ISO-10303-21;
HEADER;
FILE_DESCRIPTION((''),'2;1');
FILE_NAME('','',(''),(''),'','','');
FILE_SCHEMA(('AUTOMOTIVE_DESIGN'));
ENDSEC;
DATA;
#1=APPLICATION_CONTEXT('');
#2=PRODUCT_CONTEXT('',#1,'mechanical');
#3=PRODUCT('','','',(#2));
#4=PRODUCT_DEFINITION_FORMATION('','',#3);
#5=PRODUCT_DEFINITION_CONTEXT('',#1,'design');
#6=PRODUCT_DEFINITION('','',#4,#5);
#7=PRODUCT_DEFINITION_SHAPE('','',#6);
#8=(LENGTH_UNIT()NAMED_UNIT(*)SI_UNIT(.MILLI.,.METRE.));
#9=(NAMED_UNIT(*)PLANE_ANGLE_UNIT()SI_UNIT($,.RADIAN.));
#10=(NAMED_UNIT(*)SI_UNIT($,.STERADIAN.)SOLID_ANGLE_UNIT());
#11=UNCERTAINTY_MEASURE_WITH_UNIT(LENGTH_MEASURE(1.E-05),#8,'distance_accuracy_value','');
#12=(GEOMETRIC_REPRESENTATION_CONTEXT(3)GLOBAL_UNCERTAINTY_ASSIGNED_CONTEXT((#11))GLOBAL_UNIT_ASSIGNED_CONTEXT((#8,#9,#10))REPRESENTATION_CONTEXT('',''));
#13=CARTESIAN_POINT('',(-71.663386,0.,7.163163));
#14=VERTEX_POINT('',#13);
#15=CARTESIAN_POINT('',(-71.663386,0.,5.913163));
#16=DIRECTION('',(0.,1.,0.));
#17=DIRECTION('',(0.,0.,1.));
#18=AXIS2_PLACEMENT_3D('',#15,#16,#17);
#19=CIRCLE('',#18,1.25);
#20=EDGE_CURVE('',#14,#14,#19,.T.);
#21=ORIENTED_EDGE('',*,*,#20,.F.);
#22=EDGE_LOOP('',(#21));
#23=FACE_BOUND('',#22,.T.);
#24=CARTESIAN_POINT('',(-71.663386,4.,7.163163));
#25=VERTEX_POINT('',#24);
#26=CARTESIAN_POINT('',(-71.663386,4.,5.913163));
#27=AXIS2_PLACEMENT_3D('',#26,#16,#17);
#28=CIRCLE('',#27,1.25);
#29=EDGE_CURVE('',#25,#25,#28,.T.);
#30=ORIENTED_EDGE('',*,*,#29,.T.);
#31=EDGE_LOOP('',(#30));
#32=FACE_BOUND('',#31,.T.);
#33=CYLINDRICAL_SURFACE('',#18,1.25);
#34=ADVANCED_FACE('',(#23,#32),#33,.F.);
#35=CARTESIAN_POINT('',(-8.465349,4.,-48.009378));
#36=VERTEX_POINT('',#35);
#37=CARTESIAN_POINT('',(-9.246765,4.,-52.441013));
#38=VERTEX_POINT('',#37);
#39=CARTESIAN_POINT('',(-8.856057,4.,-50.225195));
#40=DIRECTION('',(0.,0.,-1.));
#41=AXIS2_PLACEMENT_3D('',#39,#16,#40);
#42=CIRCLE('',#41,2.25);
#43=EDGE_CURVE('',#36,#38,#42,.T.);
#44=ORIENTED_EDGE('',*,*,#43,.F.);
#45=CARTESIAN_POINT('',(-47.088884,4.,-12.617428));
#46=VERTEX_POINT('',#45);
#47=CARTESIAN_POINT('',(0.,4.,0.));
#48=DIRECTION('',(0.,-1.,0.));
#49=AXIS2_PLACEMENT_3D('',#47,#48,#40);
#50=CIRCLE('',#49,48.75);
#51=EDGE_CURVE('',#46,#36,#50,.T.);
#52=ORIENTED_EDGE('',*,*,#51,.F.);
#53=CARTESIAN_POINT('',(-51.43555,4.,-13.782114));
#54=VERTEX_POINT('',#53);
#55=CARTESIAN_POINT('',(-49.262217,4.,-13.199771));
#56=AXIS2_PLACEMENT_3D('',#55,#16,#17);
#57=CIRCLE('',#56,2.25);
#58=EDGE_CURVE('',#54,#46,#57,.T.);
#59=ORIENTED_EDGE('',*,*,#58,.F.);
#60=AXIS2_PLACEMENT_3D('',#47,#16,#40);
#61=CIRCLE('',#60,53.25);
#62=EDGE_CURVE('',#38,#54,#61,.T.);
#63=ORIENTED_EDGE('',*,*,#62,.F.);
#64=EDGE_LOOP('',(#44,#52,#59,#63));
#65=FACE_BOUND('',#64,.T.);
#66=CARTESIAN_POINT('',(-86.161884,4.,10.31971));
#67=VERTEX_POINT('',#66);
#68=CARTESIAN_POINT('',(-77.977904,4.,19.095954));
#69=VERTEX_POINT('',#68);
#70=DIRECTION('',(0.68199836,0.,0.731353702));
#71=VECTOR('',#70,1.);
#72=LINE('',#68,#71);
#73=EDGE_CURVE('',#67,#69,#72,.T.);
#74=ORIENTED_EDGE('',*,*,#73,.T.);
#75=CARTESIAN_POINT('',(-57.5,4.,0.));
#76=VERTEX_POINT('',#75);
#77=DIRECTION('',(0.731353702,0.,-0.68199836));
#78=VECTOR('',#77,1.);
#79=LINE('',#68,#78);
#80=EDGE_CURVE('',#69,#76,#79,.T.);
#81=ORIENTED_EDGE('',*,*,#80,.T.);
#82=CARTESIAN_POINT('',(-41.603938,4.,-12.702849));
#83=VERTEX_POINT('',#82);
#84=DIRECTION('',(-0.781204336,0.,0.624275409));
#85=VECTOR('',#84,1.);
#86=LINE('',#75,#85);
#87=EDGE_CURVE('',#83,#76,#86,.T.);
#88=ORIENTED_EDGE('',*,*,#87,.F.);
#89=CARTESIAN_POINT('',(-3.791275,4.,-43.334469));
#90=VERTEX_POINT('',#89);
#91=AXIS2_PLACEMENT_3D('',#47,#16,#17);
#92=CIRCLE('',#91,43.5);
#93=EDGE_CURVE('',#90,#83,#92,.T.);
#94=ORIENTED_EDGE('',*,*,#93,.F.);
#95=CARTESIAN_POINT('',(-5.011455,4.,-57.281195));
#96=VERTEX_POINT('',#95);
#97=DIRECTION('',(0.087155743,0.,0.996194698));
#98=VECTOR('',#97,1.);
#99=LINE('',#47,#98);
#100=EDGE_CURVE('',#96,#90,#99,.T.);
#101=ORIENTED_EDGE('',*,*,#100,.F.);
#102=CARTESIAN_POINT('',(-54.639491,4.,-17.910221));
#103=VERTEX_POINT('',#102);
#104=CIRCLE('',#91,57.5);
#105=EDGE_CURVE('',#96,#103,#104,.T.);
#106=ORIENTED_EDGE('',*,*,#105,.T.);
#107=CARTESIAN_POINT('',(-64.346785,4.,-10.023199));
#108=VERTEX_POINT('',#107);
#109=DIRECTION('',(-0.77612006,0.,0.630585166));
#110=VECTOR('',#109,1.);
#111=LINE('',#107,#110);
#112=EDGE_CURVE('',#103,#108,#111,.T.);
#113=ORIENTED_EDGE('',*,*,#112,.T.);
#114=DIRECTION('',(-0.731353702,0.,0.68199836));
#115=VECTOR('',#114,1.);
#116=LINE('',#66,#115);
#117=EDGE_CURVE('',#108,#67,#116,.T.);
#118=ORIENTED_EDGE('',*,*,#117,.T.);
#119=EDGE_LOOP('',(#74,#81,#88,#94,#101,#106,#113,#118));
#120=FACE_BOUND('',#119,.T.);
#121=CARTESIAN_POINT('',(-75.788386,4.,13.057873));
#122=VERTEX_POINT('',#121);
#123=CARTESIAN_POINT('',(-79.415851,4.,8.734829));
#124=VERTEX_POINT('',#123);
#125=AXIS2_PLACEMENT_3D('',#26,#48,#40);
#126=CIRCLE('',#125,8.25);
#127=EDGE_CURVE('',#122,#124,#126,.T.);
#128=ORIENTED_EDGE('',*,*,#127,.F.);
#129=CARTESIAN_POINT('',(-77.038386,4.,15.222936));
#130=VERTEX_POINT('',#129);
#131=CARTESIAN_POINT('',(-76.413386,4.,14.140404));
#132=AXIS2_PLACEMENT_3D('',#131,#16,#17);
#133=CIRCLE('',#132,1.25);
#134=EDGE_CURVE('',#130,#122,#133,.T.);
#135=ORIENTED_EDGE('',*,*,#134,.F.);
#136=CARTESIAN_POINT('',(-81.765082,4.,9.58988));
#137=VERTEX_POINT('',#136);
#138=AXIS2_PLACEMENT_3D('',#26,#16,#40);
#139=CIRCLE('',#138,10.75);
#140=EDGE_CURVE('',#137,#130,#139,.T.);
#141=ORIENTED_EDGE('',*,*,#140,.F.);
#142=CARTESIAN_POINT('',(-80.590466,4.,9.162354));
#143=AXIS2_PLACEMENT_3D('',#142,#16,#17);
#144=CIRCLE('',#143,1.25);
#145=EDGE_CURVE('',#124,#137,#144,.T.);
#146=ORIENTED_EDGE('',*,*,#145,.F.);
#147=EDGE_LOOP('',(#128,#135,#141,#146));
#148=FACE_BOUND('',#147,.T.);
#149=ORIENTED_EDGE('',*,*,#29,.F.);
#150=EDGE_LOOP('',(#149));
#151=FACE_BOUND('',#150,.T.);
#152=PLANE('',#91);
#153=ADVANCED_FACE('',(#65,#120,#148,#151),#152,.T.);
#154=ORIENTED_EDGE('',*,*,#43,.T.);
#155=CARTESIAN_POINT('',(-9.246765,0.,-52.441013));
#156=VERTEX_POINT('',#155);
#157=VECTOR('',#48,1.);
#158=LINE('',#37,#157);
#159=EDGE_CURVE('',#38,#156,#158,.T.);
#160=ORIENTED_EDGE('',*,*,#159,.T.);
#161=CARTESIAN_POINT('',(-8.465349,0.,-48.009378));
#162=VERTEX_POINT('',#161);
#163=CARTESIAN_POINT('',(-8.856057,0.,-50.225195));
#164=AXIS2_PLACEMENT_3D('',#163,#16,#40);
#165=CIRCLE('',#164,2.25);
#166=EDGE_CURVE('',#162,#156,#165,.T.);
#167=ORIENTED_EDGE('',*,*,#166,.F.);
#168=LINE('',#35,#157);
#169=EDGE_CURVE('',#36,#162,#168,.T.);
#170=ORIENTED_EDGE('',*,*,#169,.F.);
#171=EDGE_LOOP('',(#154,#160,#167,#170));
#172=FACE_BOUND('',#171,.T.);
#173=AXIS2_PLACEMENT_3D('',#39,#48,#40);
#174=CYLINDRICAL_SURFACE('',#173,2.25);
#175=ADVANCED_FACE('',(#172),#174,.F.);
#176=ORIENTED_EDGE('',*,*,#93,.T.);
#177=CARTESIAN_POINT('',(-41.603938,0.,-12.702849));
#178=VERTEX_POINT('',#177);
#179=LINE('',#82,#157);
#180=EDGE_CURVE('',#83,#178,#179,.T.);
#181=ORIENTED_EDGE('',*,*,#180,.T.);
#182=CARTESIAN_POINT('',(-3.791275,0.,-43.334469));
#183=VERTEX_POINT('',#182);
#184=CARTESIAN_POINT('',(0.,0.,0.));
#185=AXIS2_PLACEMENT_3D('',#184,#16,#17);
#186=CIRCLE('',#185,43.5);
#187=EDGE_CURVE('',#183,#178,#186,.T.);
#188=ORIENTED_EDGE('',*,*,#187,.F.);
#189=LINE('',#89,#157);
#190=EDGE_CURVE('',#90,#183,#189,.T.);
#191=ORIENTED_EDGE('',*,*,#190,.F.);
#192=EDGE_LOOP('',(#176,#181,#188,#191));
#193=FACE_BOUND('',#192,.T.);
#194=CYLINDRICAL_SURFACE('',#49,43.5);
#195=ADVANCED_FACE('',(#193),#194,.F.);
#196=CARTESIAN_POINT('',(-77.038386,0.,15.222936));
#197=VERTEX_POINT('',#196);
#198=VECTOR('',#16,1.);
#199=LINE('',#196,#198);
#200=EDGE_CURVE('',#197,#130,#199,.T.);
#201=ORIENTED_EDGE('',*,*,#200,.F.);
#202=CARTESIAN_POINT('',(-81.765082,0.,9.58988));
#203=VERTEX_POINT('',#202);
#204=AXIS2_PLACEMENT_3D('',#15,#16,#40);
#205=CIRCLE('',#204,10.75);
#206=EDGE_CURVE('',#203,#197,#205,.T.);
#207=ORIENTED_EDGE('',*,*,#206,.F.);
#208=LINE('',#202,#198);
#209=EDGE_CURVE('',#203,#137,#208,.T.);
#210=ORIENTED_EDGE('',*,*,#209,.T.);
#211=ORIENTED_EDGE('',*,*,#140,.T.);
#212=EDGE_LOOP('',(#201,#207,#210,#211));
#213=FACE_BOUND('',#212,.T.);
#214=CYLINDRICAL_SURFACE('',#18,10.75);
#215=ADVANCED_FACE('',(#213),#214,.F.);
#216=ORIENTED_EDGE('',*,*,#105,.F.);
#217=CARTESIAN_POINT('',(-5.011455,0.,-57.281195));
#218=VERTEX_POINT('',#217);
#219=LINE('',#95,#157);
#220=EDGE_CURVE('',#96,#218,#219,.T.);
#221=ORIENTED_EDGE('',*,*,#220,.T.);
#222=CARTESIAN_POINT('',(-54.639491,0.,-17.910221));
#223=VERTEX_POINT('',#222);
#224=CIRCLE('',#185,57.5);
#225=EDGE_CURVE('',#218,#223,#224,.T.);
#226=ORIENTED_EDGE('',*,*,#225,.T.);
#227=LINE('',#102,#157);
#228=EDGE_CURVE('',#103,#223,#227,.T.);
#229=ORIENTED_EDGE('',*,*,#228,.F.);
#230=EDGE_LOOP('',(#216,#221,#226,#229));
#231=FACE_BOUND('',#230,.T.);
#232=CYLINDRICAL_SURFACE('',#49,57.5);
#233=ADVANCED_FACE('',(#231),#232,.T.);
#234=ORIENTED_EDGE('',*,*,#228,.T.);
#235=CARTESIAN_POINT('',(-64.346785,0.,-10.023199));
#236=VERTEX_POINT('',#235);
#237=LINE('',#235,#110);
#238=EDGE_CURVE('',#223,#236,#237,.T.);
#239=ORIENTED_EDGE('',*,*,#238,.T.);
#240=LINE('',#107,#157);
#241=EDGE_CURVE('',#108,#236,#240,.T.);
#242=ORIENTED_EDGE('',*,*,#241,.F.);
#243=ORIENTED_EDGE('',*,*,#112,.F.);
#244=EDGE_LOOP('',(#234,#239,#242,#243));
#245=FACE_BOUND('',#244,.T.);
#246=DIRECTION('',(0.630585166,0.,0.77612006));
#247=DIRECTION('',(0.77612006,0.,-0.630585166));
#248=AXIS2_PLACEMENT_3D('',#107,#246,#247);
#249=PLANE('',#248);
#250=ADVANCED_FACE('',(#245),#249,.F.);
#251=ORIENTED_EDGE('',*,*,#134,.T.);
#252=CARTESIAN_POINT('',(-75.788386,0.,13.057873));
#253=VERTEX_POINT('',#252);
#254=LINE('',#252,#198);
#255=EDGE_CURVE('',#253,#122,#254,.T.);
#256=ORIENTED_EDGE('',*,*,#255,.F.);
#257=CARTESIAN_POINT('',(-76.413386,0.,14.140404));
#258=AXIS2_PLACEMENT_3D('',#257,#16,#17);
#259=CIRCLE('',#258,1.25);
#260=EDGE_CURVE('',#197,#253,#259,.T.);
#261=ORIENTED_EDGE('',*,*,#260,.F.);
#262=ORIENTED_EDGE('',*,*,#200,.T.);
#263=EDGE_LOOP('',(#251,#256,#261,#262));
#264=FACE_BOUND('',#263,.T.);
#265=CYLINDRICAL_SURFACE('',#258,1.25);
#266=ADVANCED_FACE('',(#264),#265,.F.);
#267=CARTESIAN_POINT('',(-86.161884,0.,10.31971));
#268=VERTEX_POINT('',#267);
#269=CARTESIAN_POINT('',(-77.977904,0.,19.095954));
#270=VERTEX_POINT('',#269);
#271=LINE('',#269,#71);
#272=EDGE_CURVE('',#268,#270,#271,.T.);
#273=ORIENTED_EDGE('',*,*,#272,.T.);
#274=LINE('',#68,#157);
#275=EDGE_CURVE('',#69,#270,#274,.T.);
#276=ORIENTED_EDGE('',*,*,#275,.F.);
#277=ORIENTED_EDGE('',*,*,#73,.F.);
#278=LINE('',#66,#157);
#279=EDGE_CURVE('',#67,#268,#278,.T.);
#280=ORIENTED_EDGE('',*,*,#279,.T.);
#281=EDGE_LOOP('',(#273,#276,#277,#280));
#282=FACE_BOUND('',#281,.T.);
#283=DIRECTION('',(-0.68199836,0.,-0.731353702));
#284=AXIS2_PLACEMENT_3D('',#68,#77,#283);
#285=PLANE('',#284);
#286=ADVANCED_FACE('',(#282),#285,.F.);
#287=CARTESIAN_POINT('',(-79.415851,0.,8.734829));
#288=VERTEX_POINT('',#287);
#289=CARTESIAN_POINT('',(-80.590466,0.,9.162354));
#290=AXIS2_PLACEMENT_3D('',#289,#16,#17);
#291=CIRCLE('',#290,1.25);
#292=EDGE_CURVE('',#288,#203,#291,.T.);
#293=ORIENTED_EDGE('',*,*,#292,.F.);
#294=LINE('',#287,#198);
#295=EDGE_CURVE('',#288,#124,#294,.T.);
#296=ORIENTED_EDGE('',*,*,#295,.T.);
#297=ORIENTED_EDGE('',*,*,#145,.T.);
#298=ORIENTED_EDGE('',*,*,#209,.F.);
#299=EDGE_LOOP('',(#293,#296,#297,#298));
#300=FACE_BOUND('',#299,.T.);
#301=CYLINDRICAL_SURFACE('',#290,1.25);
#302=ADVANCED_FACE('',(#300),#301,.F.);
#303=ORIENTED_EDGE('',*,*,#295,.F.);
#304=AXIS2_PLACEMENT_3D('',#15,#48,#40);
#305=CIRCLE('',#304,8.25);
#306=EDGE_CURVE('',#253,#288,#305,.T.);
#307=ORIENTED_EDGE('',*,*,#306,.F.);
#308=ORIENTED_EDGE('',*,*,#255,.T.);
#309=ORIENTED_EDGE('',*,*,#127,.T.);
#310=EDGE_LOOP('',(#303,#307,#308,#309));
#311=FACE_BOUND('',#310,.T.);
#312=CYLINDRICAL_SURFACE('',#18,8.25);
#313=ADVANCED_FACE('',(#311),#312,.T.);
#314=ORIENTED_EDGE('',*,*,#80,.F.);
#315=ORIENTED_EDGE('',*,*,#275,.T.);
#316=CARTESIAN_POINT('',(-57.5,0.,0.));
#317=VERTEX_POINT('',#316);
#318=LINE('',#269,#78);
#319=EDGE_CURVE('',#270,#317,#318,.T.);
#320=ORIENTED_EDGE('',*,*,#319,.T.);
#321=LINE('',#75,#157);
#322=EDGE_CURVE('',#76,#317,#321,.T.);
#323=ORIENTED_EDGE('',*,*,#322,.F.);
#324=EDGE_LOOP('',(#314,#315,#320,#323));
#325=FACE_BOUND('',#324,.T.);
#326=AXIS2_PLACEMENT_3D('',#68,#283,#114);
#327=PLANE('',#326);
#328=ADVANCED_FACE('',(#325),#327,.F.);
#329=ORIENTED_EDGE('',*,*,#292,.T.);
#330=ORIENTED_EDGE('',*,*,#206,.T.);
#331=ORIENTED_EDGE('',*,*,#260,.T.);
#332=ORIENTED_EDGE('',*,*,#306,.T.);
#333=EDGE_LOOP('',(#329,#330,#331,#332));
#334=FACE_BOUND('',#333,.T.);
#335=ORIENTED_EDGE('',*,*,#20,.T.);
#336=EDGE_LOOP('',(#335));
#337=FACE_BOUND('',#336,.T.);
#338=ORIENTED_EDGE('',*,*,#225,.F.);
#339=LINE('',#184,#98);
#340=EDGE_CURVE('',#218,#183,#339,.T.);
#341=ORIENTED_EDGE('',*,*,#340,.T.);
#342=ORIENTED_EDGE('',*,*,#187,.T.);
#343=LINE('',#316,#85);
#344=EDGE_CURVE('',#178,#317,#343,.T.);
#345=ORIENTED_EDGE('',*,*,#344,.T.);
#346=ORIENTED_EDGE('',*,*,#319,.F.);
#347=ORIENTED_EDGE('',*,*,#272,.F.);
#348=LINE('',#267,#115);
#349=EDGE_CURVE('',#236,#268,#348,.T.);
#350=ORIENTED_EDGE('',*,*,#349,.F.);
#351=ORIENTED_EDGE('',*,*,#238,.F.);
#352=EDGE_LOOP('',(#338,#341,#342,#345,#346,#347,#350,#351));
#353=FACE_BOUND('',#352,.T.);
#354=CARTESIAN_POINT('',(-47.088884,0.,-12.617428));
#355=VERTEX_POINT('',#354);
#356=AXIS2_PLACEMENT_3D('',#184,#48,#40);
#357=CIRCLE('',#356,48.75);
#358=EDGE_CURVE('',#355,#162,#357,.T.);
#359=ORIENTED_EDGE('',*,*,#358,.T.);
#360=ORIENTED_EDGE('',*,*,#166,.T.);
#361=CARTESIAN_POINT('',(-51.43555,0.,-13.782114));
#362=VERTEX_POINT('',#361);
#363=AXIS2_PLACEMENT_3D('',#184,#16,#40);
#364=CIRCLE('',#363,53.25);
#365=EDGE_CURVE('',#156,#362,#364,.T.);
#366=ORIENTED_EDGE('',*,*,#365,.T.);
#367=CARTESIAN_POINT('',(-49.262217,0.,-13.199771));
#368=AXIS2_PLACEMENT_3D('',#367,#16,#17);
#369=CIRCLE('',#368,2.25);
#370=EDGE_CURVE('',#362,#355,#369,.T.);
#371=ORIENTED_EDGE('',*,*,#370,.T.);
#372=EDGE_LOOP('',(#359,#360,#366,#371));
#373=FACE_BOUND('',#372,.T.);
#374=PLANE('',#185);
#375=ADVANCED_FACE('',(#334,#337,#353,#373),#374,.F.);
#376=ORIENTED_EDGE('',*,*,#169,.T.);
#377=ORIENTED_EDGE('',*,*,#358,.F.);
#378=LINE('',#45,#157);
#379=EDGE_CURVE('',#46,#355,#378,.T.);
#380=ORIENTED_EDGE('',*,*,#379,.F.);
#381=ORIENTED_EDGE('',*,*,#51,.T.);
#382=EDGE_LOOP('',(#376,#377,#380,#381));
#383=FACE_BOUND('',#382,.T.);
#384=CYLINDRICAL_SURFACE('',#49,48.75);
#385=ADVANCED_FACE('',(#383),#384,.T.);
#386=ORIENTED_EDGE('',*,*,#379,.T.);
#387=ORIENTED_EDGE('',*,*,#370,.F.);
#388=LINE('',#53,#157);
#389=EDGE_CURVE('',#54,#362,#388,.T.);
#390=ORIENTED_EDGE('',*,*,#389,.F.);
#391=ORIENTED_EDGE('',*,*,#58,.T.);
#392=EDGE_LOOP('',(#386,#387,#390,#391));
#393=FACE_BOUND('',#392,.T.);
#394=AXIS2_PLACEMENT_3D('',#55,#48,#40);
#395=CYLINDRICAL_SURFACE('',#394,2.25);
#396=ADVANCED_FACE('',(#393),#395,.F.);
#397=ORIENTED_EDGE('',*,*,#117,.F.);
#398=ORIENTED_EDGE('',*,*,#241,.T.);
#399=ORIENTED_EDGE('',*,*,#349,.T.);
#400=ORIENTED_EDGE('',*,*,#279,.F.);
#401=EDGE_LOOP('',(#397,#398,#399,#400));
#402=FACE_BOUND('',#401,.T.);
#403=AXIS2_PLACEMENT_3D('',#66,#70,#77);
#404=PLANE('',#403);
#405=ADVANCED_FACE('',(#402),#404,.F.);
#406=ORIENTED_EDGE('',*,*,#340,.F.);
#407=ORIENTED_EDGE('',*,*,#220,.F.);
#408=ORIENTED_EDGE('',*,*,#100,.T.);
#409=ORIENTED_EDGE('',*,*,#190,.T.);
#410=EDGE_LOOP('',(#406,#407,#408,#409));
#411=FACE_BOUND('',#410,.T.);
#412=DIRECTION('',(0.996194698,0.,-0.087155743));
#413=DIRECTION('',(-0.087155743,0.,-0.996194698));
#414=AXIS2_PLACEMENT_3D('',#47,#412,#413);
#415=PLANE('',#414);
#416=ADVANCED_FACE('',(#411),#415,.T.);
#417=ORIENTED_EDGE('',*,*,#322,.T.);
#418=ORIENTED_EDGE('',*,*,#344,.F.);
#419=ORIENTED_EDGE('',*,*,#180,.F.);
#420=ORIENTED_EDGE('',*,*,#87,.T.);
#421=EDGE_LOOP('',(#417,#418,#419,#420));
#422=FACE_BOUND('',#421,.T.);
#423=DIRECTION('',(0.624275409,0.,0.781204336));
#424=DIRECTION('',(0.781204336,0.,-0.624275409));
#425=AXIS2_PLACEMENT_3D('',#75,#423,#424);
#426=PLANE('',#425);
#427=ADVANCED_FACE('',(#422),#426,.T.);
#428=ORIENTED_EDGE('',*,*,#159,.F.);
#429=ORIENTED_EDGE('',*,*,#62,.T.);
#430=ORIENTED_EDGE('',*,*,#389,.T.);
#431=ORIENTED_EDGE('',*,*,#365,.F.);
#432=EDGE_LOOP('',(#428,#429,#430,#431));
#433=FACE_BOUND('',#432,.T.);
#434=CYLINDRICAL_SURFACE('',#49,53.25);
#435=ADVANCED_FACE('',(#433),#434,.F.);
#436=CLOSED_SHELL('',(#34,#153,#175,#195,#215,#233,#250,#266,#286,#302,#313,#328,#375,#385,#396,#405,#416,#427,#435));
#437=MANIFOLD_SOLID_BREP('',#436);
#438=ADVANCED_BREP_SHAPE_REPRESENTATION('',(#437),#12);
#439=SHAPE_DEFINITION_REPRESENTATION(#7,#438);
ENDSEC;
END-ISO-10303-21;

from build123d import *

# Parameters (mm, degrees)
SKETCH1_R           = 57.5
BOSS_EXTRUDE1_DEPTH = 4
BOSS_EXTRUDE2_DEPTH = 4
CUT_EXTRUDE1_DEPTH  = 5
CUT_EXTRUDE2_DEPTH  = 5
SKETCH5_R           = 43.5
CUT_EXTRUDE3_DEPTH  = 5
CUT_EXTRUDE7_DEPTH  = 5
SKETCH9_R           = 1.25
CUT_EXTRUDE10_DEPTH = 5
CUT_EXTRUDE14_DEPTH = 5


with BuildPart() as part:
    # Sketch1 → Boss-Extrude1 (new body)
    with BuildSketch(Plane(origin=(0, 0, 0), x_dir=(1, 0, 0), z_dir=(0, 1, 0))):
        Circle(SKETCH1_R)
    extrude(amount=BOSS_EXTRUDE1_DEPTH)

    # Sketch2 → Boss-Extrude2 (add)
    with BuildSketch(Plane(origin=(0, 0, 0), x_dir=(1, 0, 0), z_dir=(0, 1, 0))):
        Polygon((-77.977903645, -19.095954082), (-57.5, 0), (-44.924411203, 0), (-44.924411203, 25.803568088), (-64.346784729, 10.023199482), (-86.161883966, -10.319709662), align=None)
    extrude(amount=BOSS_EXTRUDE2_DEPTH)

    # Sketch3 → Cut-Extrude1 (cut, through all)
    with BuildSketch(Plane(origin=(0, 0, 0), x_dir=(1, 0, 0), z_dir=(0, 1, 0))):
        with BuildLine():
            ThreePointArc((-51.43555025, 13.782114152), (-35.975178556, 39.260018185), (-9.246765461, 52.441012848))
            ThreePointArc((-9.246765461, 52.441012848), (-6.640239617, 50.615903803), (-8.465348661, 48.009377959))
            ThreePointArc((-8.465348661, 48.009377959), (-32.935022621, 35.942270169), (-47.088884032, 12.617428449))
            ThreePointArc((-47.088884032, 12.617428449), (-49.844559992, 11.026438191), (-51.43555025, 13.782114152))
        make_face()
    extrude(amount=CUT_EXTRUDE1_DEPTH, mode=Mode.SUBTRACT)

    # Sketch4 → Cut-Extrude2 (cut, through all)
    with BuildSketch(Plane(origin=(0, 0, 0), x_dir=(1, 0, 0), z_dir=(0, 1, 0))):
        with BuildLine():
            Line((0, 0), (-57.5, 0))
            ThreePointArc((-57.5, 0), (42.393446867, -38.846436938), (-5.011455208, 57.28119514))
            Line((-5.011455208, 57.28119514), (0, 0))
        make_face()
    extrude(amount=CUT_EXTRUDE2_DEPTH, mode=Mode.SUBTRACT)

    # Sketch5 → Cut-Extrude3 (cut, through all)
    with BuildSketch(Plane(origin=(0, 0, 0), x_dir=(1, 0, 0), z_dir=(0, 1, 0))):
        Circle(SKETCH5_R)
    extrude(amount=CUT_EXTRUDE3_DEPTH, mode=Mode.SUBTRACT)

    # Sketch7 → Cut-Extrude7 (cut, through all)
    with BuildSketch(Plane(origin=(0, 0, 0), x_dir=(1, 0, 0), z_dir=(0, 1, 0))):
        Polygon((-57.5, 0), (-41.603937585, 12.702849184), (-43.5, 0), align=None)
    extrude(amount=CUT_EXTRUDE7_DEPTH, mode=Mode.SUBTRACT)

    # Sketch9 → Cut-Extrude10 (cut, through all)
    with BuildSketch(Plane(origin=(0, 4, 0), x_dir=(1, 0, 0), z_dir=(0, 1, 0))):
        with Locations((-76.485000828, -14.098640015)):
            Circle(SKETCH9_R)
        with Locations((-71.66338638, -5.91316299)):
            Circle(SKETCH9_R)
    extrude(amount=-CUT_EXTRUDE10_DEPTH, mode=Mode.SUBTRACT)

    # Sketch10 → Cut-Extrude14 (cut, through all)
    with BuildSketch(Plane(origin=(0, 4, 0), x_dir=(1, 0, 0), z_dir=(0, 1, 0))):
        with BuildLine():
            ThreePointArc((-75.78838638, -13.057872572), (-77.983253036, -11.21616077), (-79.415850502, -8.734829173))
            ThreePointArc((-79.415850502, -8.734829173), (-81.017991457, -7.987738576), (-81.765082054, -9.589879531))
            ThreePointArc((-81.765082054, -9.589879531), (-79.898364144, -12.823129794), (-77.03838638, -15.222936081))
            ThreePointArc((-77.03838638, -15.222936081), (-75.330854625, -14.765404326), (-75.78838638, -13.057872572))
        make_face()
    extrude(amount=-CUT_EXTRUDE14_DEPTH, mode=Mode.SUBTRACT)


solid = part.part
